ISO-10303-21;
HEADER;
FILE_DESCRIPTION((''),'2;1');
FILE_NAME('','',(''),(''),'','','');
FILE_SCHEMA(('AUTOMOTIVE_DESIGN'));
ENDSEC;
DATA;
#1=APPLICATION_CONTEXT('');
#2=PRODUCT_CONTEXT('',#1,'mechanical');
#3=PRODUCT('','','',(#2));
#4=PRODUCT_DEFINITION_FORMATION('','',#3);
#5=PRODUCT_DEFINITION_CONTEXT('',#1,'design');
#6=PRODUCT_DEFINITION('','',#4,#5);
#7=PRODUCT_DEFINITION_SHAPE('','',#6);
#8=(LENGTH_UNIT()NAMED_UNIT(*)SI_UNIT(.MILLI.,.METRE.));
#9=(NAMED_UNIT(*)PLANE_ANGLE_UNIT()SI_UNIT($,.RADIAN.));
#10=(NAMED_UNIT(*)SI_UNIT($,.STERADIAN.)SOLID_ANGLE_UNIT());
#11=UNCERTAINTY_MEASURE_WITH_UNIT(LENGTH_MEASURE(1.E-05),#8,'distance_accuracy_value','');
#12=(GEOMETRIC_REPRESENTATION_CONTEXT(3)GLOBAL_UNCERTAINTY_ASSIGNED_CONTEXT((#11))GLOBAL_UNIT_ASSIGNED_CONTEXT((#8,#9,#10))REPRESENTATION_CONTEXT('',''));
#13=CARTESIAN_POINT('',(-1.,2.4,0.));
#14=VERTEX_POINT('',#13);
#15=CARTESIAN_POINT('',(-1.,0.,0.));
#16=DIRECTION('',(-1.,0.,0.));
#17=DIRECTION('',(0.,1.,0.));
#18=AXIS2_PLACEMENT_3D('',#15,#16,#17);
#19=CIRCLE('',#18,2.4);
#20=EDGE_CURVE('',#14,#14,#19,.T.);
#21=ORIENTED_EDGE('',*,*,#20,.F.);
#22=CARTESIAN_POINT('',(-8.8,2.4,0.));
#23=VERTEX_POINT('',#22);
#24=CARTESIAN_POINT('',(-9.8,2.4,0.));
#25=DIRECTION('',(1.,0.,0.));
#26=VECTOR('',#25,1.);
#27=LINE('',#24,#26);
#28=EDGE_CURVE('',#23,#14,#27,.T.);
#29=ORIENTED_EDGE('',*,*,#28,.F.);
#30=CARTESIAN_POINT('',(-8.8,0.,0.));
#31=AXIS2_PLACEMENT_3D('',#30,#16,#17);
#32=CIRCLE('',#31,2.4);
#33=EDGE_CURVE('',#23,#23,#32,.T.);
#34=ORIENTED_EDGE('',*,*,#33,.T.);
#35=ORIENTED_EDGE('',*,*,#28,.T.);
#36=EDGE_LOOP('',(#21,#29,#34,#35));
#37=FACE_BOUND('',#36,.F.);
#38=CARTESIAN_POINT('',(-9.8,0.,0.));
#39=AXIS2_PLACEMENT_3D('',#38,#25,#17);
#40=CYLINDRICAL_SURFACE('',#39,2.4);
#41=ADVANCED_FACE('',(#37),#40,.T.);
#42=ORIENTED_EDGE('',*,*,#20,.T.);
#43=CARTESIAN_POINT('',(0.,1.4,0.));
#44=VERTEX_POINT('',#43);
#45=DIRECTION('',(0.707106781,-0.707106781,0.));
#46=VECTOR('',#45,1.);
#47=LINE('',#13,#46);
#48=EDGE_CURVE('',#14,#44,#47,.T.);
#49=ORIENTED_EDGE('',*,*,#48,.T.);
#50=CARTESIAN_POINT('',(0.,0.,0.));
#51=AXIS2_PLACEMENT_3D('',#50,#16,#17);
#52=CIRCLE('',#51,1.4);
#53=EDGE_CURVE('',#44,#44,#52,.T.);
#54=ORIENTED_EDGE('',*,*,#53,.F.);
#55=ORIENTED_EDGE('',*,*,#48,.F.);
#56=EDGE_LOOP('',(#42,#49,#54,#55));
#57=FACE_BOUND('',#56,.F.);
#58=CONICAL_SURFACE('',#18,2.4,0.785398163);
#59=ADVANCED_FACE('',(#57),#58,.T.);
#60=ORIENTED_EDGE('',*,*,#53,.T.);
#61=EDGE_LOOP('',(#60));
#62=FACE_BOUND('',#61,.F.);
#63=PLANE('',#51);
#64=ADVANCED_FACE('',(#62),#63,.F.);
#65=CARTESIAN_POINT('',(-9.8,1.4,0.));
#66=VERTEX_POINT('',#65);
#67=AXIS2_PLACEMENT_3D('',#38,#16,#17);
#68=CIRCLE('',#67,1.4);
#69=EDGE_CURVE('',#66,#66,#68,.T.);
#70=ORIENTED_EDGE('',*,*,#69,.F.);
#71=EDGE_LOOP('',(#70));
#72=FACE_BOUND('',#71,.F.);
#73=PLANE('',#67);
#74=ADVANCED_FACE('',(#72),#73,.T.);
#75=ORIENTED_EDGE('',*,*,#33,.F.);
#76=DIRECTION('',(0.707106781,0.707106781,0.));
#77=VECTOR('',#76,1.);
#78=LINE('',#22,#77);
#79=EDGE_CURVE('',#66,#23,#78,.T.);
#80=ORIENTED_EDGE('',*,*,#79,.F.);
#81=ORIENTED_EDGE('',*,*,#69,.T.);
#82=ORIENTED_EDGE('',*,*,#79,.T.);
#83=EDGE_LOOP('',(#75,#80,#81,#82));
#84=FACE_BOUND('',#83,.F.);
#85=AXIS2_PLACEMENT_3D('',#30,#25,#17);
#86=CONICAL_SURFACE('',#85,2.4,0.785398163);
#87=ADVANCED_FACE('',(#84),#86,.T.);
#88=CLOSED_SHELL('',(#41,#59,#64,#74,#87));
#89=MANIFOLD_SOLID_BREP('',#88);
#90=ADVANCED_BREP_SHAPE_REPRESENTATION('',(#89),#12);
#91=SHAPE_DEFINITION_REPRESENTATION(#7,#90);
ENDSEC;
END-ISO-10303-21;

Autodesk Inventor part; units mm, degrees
ref_plane "YZ Plane" through (0, 0, 0) normal (1, 0, 0) x (0, 1, 0)
ref_plane "XZ Plane" through (0, 0, 0) normal (0, 1, 0) x (-1, 0, 0)
ref_plane "XY Plane" through (0, 0, 0) normal (0, 0, 1) x (1, 0, 0)
sketch "스케치1" plane through (0, 0, 0) normal (0, 0, 1) x (1, 0, 0)
  line L0 (0, 0) -> (-9.8, 0)
  line L1 (-9.8, 0) -> (-9.8, 2.4)
  line L2 (-9.8, 2.4) -> (0, 2.4)
  line L3 (0, 2.4) -> (0, 0)
  dimension "d0" = 4.8
  dimension "d1" = 9.8
revolve "회전1" add sketch "스케치1" angle 360 about axis through (0, 0, 0) along (-1, 0, 0)
chamfer "모따기1" distance 1 angle 45 2 edges at (-9.8, -2.4, 0) (0, -2.4, 0)
properties part number "joint"
